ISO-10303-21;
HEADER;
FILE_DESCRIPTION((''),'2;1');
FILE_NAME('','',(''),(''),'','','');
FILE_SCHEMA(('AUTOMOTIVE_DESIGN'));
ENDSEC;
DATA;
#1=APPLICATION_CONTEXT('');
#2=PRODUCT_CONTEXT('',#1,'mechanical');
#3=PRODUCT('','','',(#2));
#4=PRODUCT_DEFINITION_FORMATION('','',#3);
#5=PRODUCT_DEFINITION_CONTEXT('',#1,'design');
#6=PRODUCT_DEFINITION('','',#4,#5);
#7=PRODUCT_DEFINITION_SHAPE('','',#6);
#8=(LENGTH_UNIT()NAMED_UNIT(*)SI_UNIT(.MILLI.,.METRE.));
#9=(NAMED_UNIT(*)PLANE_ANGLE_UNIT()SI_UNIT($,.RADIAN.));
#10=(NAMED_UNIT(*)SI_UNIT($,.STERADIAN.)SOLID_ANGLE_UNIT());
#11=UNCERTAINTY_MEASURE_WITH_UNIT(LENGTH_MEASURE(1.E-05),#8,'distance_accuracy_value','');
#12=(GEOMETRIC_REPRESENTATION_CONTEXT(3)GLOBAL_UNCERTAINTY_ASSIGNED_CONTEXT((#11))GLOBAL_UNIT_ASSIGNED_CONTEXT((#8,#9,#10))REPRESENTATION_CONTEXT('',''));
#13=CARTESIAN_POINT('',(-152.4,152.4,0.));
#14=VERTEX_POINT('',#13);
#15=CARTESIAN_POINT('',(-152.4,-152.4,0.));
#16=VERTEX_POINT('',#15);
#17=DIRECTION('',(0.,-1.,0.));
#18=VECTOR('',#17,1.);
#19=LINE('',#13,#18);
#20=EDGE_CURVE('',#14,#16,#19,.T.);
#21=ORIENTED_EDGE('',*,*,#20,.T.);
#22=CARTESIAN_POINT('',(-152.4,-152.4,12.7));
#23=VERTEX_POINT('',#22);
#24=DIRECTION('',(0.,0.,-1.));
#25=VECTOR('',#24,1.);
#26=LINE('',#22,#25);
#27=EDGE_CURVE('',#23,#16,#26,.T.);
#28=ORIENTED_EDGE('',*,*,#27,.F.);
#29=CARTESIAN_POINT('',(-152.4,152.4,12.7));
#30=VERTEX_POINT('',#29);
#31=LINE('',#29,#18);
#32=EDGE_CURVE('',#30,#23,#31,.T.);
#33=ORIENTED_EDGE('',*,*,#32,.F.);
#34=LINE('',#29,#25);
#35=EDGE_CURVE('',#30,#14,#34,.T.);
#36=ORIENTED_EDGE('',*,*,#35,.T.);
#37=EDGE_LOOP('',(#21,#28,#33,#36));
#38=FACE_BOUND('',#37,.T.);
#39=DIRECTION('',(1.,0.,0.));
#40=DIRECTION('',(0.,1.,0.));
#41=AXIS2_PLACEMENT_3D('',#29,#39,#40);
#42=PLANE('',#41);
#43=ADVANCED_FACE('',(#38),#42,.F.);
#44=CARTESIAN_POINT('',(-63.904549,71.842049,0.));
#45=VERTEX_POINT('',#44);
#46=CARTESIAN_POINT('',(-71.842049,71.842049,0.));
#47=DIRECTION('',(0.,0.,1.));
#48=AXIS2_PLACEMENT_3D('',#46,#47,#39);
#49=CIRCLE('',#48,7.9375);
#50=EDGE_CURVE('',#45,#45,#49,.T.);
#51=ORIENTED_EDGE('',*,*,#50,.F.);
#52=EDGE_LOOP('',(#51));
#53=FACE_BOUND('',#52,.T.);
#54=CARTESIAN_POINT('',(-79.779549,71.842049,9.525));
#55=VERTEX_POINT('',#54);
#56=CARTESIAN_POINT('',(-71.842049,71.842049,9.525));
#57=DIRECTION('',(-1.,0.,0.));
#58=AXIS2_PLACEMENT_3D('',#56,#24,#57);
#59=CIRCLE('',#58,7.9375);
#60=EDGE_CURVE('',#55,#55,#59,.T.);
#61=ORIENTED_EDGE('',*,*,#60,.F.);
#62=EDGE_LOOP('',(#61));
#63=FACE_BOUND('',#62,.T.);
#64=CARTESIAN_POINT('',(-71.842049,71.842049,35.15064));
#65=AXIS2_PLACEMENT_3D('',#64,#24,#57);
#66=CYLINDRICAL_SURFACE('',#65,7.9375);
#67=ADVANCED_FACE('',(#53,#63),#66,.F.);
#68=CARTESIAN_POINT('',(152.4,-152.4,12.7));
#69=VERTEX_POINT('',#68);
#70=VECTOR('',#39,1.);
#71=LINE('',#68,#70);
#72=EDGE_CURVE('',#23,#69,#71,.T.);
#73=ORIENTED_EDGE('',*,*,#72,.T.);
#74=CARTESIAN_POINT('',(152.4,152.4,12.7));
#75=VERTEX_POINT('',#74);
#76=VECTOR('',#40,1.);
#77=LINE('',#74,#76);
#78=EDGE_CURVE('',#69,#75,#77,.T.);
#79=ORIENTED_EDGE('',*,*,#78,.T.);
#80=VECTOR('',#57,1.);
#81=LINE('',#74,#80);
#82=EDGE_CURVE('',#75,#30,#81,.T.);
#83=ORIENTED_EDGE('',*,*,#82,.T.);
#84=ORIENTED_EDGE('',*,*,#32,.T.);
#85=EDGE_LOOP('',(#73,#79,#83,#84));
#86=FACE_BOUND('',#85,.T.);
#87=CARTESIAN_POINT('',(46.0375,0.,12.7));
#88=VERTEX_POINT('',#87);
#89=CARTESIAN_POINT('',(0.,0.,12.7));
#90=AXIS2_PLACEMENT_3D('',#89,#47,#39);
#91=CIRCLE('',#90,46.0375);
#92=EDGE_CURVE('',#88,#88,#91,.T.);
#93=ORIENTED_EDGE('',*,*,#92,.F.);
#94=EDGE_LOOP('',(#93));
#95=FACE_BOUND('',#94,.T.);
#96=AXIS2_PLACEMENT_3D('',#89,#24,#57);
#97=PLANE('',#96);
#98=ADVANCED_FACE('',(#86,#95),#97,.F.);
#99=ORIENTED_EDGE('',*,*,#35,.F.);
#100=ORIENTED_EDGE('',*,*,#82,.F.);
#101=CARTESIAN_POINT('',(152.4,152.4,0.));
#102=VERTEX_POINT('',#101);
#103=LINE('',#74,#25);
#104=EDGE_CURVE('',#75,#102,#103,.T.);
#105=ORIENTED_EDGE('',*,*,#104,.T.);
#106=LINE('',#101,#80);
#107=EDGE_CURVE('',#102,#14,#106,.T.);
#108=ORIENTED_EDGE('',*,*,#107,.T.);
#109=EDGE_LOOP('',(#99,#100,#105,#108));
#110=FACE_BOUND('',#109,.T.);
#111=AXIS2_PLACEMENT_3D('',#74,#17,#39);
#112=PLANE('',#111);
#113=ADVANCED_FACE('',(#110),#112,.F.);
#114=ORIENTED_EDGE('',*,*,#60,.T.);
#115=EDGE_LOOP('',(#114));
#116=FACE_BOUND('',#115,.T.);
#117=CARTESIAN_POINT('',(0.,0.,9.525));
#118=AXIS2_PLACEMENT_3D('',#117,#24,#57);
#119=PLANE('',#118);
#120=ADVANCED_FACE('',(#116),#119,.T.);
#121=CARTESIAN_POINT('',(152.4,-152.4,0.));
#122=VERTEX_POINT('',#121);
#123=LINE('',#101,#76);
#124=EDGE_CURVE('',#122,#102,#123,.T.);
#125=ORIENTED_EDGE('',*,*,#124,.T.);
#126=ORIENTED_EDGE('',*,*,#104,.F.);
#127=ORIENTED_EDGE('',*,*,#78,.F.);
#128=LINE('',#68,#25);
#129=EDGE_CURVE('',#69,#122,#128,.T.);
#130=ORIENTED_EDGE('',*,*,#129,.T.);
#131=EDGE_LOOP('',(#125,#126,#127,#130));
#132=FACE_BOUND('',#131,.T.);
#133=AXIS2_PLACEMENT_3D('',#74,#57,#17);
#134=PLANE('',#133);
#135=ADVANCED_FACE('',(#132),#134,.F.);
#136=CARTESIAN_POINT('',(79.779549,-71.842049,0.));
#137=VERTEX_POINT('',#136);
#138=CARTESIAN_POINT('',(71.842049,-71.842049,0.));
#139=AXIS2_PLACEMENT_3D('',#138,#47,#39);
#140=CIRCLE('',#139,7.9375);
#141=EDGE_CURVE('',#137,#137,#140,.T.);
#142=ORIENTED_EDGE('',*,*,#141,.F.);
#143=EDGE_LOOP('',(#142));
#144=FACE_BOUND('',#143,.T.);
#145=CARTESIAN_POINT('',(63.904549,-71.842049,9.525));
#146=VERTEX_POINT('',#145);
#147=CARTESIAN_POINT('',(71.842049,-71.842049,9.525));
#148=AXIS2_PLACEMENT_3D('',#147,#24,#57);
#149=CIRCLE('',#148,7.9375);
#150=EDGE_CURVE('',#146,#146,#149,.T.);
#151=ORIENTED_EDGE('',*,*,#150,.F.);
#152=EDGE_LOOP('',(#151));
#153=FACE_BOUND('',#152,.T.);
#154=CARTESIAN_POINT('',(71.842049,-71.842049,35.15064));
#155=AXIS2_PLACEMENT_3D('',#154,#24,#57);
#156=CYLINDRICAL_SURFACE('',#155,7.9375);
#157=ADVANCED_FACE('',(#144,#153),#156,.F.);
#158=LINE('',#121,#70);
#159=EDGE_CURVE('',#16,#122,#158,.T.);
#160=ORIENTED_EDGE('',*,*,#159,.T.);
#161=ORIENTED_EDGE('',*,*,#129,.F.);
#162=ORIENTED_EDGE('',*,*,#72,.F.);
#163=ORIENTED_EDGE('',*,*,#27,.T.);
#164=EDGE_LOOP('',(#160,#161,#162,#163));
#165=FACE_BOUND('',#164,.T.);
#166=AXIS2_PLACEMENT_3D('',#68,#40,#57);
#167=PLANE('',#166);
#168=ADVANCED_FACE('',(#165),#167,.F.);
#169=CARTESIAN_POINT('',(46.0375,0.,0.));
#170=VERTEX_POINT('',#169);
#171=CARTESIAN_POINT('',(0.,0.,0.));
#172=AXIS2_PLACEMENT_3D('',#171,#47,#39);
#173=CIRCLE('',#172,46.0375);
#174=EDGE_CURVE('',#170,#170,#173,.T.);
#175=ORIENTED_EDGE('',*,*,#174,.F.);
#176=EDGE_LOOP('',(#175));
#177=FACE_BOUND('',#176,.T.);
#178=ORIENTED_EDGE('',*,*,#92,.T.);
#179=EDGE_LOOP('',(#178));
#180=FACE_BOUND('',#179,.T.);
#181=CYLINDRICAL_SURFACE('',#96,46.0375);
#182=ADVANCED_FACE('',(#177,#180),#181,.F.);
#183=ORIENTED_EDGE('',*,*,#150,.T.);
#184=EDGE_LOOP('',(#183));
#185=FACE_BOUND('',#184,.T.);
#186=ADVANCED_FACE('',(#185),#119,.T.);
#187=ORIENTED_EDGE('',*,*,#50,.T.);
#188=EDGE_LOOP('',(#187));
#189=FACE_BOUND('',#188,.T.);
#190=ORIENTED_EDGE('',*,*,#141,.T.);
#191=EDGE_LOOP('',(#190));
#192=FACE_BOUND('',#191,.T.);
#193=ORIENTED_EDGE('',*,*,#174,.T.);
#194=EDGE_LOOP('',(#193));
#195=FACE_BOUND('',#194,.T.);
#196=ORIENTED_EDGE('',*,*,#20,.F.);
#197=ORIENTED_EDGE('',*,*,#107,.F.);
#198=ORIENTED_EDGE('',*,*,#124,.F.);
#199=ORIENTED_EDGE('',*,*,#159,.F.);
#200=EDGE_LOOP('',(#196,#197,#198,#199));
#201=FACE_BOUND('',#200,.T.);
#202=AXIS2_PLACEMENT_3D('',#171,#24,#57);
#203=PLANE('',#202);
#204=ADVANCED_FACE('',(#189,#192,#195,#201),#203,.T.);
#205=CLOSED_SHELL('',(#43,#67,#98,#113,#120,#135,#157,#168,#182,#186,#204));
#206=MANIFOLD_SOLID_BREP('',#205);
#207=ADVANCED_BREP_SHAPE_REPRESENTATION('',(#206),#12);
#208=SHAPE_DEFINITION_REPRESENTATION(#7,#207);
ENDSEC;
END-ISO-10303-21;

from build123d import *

# Parameters (mm, degrees)
SKETCH1_W           = 304.8
SKETCH1_H           = 304.8
SKETCH1_R           = 46.0375
BOSS_EXTRUDE1_DEPTH = 12.7
SKETCH2_R           = 7.9375
CUT_EXTRUDE1_DEPTH  = 9.525


with BuildPart() as part:
    # Sketch1 → Boss-Extrude1 (new body)
    with BuildSketch(Plane.XY):
        Rectangle(SKETCH1_W, SKETCH1_H)
        Circle(SKETCH1_R, mode=Mode.SUBTRACT)
    extrude(amount=BOSS_EXTRUDE1_DEPTH)

    # Sketch2 → Cut-Extrude1 (cut)
    with BuildSketch(Plane.XY):
        with Locations(Location((-71.842048969, 71.842048969, 0), (0, 0, 180))):
            Circle(SKETCH2_R)
        with Locations(Location((71.842048969, -71.842048969, 0), (0, 0, 180))):
            Circle(SKETCH2_R)
    extrude(amount=CUT_EXTRUDE1_DEPTH, mode=Mode.SUBTRACT)


solid = part.part
